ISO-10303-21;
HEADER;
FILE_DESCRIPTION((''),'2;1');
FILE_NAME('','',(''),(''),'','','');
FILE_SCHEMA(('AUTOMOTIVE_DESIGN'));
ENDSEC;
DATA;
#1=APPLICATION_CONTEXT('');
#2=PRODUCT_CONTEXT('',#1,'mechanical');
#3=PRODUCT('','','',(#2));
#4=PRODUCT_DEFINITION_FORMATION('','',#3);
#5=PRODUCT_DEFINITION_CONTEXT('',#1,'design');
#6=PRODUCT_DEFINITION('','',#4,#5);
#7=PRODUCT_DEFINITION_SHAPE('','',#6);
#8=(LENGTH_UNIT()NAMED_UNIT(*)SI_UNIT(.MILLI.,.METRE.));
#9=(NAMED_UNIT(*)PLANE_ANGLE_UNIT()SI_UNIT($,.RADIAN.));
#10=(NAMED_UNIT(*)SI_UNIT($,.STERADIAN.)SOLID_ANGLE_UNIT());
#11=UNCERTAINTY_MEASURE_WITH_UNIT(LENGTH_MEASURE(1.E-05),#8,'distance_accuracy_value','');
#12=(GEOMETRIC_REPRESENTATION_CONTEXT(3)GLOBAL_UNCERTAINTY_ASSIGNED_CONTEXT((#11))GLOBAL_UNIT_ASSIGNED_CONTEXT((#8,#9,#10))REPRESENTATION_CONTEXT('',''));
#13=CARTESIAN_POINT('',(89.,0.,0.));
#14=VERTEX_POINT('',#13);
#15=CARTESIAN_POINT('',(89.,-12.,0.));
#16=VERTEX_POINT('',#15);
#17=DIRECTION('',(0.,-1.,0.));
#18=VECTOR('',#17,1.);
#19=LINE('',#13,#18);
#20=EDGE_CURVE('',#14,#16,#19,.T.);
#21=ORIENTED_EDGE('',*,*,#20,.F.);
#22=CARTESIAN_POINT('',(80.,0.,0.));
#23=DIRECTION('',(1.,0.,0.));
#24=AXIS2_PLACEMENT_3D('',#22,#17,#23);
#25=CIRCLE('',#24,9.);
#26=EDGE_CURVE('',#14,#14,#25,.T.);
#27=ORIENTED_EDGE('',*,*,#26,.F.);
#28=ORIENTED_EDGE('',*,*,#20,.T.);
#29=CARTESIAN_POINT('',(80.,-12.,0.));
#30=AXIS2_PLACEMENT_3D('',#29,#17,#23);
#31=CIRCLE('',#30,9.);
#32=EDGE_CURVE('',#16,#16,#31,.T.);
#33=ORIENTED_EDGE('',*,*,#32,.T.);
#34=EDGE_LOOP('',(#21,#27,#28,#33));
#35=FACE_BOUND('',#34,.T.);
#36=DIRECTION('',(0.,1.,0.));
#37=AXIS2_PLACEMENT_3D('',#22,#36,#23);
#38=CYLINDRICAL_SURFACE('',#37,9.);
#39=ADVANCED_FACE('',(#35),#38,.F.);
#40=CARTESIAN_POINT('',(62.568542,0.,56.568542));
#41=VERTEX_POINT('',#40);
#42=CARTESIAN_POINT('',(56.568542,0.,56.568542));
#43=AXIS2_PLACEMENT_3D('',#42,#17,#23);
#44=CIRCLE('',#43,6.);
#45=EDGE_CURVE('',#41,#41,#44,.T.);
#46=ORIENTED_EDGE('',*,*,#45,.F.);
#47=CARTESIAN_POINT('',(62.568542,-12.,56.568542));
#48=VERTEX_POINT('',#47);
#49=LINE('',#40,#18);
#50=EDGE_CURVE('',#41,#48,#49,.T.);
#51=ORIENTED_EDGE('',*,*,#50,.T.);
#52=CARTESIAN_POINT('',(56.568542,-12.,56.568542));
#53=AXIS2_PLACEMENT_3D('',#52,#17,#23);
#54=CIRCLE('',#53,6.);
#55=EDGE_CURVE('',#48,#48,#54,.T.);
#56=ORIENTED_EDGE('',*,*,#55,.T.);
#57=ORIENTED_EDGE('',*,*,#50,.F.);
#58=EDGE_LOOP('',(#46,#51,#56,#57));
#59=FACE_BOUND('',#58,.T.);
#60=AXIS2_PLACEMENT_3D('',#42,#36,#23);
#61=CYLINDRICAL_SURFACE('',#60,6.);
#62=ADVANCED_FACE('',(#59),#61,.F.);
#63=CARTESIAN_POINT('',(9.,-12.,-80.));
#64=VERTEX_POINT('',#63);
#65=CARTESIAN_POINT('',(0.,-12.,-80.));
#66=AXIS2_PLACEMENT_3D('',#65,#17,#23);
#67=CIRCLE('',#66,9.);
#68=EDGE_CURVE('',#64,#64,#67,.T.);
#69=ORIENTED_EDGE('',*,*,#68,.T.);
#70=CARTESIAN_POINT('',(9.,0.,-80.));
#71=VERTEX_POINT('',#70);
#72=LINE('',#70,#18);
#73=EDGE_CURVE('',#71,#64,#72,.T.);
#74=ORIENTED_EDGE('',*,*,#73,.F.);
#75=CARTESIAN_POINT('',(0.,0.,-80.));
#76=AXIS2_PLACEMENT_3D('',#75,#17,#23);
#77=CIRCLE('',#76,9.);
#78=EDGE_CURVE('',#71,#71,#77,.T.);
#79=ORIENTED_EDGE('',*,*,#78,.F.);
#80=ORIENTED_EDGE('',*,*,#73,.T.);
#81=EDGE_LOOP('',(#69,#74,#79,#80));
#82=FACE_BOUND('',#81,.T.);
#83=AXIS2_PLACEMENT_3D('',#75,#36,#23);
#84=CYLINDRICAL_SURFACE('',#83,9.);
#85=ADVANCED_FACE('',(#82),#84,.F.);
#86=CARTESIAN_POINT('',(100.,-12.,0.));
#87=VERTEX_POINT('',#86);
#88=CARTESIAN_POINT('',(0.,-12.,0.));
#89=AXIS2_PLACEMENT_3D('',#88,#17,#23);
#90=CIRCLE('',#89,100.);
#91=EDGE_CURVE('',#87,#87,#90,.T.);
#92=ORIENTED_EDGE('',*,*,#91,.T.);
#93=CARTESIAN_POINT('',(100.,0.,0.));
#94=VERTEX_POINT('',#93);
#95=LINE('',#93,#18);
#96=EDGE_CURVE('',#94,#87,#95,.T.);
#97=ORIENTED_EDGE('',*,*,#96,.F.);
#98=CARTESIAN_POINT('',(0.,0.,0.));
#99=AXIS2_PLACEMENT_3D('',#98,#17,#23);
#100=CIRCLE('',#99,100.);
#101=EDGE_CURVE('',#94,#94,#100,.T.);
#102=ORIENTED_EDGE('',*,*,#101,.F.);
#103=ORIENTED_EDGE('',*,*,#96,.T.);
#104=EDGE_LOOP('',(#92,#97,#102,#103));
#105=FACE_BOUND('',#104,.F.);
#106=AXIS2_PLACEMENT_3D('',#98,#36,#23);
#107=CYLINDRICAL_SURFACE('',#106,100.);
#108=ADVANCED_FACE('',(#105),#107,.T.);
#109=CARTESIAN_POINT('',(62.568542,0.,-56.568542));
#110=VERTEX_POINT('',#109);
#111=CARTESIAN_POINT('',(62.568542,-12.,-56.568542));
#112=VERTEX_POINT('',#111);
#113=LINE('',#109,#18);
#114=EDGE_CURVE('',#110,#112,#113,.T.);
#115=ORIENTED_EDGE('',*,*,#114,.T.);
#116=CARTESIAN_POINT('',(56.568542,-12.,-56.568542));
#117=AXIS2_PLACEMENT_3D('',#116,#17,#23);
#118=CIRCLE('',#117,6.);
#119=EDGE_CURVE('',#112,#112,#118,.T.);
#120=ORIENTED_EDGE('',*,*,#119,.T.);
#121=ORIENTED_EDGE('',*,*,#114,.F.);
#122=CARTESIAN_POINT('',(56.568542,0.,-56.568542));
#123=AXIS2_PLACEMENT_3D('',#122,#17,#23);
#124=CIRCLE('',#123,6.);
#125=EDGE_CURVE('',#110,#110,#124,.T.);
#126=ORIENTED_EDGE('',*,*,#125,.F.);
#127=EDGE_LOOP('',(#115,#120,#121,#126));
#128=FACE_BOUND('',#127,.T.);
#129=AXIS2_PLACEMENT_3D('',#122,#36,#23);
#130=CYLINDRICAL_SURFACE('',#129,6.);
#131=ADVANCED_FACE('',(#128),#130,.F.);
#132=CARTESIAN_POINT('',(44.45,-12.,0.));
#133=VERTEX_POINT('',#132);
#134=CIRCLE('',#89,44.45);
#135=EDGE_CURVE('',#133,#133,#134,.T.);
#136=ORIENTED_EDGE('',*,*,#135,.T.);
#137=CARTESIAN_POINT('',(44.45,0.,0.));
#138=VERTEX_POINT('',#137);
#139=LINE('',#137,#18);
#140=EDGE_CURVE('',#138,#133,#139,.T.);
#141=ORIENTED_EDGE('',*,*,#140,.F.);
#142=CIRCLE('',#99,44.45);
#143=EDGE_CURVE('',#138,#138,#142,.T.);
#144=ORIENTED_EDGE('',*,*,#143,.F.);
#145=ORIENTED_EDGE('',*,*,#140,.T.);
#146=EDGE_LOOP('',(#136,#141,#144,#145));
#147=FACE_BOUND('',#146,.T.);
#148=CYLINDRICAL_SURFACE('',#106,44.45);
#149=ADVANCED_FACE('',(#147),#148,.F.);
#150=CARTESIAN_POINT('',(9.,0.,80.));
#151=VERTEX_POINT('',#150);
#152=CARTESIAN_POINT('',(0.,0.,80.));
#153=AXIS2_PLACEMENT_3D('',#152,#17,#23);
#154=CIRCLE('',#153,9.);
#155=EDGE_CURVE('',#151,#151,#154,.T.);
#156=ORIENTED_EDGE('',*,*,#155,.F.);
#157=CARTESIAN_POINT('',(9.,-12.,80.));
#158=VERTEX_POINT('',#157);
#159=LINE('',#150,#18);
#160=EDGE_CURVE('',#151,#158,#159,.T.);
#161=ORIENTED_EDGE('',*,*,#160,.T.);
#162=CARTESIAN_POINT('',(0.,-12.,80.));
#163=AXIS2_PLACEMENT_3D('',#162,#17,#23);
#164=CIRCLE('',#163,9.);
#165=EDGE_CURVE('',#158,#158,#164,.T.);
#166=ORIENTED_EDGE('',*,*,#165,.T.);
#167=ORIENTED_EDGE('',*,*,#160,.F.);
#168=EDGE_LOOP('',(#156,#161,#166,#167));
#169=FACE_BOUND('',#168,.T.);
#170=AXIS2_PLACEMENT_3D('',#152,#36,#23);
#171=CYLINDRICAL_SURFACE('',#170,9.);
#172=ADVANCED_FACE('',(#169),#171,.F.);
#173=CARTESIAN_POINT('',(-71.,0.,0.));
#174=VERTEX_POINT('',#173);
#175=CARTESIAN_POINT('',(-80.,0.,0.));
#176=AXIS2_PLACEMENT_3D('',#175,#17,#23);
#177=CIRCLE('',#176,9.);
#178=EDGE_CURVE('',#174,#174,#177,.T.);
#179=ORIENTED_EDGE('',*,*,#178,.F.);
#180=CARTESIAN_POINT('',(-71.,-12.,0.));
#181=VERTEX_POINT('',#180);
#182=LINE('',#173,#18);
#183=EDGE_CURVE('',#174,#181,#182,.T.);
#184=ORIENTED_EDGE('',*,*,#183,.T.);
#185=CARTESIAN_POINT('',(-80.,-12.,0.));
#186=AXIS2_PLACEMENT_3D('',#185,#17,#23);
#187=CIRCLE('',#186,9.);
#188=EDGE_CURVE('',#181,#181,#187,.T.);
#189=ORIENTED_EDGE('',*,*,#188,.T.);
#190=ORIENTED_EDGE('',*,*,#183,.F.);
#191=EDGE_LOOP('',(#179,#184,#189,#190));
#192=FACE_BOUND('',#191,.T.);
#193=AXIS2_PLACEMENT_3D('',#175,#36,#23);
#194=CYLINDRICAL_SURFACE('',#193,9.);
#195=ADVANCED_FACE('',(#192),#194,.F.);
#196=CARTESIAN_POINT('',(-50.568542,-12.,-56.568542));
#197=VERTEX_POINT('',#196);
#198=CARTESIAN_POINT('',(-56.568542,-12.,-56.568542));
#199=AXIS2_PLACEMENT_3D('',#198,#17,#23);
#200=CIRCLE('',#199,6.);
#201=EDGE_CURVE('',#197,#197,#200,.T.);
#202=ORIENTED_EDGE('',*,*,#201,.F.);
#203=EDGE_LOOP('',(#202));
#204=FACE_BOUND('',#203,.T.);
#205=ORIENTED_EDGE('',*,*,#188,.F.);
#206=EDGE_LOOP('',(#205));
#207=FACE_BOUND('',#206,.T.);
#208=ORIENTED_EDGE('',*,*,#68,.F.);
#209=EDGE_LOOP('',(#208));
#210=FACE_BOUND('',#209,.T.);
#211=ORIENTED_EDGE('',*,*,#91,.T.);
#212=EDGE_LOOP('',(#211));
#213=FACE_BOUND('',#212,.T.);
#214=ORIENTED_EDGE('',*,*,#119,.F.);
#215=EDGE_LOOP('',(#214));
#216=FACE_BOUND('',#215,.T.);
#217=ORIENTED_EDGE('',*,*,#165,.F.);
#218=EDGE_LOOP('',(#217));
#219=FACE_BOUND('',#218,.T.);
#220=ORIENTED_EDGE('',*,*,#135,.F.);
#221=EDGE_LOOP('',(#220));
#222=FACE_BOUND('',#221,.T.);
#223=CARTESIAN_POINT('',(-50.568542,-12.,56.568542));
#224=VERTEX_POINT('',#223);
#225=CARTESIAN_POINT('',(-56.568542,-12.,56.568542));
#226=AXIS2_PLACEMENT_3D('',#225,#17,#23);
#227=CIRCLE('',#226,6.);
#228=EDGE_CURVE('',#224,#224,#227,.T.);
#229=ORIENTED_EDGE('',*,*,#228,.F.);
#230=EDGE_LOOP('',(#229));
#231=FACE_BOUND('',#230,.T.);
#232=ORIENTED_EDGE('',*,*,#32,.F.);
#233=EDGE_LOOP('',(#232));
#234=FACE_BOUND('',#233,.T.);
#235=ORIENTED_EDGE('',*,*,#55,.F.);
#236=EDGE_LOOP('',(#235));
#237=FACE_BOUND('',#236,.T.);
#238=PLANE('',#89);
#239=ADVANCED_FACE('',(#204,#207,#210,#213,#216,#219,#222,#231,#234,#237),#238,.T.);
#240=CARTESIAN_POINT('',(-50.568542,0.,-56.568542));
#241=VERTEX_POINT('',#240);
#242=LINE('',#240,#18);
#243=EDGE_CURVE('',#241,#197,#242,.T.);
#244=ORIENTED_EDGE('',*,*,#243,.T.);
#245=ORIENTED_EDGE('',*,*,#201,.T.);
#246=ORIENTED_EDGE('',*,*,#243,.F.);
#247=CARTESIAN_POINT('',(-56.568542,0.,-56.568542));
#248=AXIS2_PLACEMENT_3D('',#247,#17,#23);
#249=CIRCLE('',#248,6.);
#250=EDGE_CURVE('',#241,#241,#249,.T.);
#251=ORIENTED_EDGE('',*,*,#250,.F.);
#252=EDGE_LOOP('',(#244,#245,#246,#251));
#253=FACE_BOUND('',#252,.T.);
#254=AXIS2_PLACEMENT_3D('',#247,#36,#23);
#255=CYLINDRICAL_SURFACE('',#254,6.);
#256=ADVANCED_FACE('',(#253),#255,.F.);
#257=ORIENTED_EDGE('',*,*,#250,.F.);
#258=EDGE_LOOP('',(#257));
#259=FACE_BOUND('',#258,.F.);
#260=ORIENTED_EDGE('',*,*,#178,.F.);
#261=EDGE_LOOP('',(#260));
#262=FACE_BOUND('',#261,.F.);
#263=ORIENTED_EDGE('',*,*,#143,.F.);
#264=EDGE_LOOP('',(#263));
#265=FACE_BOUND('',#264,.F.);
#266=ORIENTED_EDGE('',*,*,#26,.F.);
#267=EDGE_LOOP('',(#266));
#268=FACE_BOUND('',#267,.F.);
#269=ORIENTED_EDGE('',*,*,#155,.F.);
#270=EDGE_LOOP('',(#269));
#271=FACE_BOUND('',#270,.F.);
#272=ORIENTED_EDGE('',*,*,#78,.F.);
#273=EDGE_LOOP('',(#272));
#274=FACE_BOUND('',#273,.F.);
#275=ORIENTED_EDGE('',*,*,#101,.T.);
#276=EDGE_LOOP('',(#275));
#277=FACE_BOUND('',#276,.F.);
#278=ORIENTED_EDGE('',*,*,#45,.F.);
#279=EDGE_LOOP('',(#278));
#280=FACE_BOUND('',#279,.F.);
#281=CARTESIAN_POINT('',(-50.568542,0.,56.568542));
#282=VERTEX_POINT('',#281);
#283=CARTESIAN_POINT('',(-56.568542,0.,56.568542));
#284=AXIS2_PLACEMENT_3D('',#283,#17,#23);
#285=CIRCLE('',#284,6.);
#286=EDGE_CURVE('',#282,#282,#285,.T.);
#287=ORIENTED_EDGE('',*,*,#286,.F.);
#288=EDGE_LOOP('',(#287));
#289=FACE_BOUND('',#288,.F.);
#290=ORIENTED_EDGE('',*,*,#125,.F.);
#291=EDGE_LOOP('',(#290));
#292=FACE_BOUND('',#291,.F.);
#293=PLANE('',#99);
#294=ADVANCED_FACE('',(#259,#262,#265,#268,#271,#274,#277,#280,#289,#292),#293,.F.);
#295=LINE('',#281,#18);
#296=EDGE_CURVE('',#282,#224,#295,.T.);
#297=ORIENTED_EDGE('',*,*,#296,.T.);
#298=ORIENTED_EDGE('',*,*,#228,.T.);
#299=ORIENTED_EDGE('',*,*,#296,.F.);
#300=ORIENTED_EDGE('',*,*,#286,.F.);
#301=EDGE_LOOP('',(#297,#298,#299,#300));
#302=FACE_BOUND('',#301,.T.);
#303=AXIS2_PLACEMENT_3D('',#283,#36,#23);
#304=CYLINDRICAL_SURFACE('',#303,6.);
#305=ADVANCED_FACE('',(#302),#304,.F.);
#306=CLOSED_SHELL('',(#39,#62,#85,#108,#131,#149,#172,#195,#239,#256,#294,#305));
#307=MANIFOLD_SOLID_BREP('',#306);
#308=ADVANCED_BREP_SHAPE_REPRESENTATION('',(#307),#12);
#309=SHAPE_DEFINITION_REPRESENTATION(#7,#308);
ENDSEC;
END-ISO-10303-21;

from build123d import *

# Parameters (mm, degrees)
F0_R     = 100
F0_R_2   = 6
F0_R_3   = 9
F0_R_4   = 44.45
F1_DEPTH = 12


with BuildPart() as f1:
    # F0 (on Front) → F1 (new body)
    with BuildSketch(Plane.XZ):
        Circle(F0_R)
        with Locations((-56.568542, -56.568542)):
            Circle(F0_R_2, mode=Mode.SUBTRACT)
        with Locations((0, -80)):
            Circle(F0_R_3, mode=Mode.SUBTRACT)
        with Locations((56.568542, -56.568542)):
            Circle(F0_R_2, mode=Mode.SUBTRACT)
        with Locations((-80, 0)):
            Circle(F0_R_3, mode=Mode.SUBTRACT)
        with Locations((-56.568542, 56.568542)):
            Circle(F0_R_2, mode=Mode.SUBTRACT)
        Circle(F0_R_4, mode=Mode.SUBTRACT)
        with Locations((80, 0)):
            Circle(F0_R_3, mode=Mode.SUBTRACT)
        with Locations((0, 80)):
            Circle(F0_R_3, mode=Mode.SUBTRACT)
        with Locations((56.568542, 56.568542)):
            Circle(F0_R_2, mode=Mode.SUBTRACT)
    extrude(amount=F1_DEPTH)


solid = f1.part
